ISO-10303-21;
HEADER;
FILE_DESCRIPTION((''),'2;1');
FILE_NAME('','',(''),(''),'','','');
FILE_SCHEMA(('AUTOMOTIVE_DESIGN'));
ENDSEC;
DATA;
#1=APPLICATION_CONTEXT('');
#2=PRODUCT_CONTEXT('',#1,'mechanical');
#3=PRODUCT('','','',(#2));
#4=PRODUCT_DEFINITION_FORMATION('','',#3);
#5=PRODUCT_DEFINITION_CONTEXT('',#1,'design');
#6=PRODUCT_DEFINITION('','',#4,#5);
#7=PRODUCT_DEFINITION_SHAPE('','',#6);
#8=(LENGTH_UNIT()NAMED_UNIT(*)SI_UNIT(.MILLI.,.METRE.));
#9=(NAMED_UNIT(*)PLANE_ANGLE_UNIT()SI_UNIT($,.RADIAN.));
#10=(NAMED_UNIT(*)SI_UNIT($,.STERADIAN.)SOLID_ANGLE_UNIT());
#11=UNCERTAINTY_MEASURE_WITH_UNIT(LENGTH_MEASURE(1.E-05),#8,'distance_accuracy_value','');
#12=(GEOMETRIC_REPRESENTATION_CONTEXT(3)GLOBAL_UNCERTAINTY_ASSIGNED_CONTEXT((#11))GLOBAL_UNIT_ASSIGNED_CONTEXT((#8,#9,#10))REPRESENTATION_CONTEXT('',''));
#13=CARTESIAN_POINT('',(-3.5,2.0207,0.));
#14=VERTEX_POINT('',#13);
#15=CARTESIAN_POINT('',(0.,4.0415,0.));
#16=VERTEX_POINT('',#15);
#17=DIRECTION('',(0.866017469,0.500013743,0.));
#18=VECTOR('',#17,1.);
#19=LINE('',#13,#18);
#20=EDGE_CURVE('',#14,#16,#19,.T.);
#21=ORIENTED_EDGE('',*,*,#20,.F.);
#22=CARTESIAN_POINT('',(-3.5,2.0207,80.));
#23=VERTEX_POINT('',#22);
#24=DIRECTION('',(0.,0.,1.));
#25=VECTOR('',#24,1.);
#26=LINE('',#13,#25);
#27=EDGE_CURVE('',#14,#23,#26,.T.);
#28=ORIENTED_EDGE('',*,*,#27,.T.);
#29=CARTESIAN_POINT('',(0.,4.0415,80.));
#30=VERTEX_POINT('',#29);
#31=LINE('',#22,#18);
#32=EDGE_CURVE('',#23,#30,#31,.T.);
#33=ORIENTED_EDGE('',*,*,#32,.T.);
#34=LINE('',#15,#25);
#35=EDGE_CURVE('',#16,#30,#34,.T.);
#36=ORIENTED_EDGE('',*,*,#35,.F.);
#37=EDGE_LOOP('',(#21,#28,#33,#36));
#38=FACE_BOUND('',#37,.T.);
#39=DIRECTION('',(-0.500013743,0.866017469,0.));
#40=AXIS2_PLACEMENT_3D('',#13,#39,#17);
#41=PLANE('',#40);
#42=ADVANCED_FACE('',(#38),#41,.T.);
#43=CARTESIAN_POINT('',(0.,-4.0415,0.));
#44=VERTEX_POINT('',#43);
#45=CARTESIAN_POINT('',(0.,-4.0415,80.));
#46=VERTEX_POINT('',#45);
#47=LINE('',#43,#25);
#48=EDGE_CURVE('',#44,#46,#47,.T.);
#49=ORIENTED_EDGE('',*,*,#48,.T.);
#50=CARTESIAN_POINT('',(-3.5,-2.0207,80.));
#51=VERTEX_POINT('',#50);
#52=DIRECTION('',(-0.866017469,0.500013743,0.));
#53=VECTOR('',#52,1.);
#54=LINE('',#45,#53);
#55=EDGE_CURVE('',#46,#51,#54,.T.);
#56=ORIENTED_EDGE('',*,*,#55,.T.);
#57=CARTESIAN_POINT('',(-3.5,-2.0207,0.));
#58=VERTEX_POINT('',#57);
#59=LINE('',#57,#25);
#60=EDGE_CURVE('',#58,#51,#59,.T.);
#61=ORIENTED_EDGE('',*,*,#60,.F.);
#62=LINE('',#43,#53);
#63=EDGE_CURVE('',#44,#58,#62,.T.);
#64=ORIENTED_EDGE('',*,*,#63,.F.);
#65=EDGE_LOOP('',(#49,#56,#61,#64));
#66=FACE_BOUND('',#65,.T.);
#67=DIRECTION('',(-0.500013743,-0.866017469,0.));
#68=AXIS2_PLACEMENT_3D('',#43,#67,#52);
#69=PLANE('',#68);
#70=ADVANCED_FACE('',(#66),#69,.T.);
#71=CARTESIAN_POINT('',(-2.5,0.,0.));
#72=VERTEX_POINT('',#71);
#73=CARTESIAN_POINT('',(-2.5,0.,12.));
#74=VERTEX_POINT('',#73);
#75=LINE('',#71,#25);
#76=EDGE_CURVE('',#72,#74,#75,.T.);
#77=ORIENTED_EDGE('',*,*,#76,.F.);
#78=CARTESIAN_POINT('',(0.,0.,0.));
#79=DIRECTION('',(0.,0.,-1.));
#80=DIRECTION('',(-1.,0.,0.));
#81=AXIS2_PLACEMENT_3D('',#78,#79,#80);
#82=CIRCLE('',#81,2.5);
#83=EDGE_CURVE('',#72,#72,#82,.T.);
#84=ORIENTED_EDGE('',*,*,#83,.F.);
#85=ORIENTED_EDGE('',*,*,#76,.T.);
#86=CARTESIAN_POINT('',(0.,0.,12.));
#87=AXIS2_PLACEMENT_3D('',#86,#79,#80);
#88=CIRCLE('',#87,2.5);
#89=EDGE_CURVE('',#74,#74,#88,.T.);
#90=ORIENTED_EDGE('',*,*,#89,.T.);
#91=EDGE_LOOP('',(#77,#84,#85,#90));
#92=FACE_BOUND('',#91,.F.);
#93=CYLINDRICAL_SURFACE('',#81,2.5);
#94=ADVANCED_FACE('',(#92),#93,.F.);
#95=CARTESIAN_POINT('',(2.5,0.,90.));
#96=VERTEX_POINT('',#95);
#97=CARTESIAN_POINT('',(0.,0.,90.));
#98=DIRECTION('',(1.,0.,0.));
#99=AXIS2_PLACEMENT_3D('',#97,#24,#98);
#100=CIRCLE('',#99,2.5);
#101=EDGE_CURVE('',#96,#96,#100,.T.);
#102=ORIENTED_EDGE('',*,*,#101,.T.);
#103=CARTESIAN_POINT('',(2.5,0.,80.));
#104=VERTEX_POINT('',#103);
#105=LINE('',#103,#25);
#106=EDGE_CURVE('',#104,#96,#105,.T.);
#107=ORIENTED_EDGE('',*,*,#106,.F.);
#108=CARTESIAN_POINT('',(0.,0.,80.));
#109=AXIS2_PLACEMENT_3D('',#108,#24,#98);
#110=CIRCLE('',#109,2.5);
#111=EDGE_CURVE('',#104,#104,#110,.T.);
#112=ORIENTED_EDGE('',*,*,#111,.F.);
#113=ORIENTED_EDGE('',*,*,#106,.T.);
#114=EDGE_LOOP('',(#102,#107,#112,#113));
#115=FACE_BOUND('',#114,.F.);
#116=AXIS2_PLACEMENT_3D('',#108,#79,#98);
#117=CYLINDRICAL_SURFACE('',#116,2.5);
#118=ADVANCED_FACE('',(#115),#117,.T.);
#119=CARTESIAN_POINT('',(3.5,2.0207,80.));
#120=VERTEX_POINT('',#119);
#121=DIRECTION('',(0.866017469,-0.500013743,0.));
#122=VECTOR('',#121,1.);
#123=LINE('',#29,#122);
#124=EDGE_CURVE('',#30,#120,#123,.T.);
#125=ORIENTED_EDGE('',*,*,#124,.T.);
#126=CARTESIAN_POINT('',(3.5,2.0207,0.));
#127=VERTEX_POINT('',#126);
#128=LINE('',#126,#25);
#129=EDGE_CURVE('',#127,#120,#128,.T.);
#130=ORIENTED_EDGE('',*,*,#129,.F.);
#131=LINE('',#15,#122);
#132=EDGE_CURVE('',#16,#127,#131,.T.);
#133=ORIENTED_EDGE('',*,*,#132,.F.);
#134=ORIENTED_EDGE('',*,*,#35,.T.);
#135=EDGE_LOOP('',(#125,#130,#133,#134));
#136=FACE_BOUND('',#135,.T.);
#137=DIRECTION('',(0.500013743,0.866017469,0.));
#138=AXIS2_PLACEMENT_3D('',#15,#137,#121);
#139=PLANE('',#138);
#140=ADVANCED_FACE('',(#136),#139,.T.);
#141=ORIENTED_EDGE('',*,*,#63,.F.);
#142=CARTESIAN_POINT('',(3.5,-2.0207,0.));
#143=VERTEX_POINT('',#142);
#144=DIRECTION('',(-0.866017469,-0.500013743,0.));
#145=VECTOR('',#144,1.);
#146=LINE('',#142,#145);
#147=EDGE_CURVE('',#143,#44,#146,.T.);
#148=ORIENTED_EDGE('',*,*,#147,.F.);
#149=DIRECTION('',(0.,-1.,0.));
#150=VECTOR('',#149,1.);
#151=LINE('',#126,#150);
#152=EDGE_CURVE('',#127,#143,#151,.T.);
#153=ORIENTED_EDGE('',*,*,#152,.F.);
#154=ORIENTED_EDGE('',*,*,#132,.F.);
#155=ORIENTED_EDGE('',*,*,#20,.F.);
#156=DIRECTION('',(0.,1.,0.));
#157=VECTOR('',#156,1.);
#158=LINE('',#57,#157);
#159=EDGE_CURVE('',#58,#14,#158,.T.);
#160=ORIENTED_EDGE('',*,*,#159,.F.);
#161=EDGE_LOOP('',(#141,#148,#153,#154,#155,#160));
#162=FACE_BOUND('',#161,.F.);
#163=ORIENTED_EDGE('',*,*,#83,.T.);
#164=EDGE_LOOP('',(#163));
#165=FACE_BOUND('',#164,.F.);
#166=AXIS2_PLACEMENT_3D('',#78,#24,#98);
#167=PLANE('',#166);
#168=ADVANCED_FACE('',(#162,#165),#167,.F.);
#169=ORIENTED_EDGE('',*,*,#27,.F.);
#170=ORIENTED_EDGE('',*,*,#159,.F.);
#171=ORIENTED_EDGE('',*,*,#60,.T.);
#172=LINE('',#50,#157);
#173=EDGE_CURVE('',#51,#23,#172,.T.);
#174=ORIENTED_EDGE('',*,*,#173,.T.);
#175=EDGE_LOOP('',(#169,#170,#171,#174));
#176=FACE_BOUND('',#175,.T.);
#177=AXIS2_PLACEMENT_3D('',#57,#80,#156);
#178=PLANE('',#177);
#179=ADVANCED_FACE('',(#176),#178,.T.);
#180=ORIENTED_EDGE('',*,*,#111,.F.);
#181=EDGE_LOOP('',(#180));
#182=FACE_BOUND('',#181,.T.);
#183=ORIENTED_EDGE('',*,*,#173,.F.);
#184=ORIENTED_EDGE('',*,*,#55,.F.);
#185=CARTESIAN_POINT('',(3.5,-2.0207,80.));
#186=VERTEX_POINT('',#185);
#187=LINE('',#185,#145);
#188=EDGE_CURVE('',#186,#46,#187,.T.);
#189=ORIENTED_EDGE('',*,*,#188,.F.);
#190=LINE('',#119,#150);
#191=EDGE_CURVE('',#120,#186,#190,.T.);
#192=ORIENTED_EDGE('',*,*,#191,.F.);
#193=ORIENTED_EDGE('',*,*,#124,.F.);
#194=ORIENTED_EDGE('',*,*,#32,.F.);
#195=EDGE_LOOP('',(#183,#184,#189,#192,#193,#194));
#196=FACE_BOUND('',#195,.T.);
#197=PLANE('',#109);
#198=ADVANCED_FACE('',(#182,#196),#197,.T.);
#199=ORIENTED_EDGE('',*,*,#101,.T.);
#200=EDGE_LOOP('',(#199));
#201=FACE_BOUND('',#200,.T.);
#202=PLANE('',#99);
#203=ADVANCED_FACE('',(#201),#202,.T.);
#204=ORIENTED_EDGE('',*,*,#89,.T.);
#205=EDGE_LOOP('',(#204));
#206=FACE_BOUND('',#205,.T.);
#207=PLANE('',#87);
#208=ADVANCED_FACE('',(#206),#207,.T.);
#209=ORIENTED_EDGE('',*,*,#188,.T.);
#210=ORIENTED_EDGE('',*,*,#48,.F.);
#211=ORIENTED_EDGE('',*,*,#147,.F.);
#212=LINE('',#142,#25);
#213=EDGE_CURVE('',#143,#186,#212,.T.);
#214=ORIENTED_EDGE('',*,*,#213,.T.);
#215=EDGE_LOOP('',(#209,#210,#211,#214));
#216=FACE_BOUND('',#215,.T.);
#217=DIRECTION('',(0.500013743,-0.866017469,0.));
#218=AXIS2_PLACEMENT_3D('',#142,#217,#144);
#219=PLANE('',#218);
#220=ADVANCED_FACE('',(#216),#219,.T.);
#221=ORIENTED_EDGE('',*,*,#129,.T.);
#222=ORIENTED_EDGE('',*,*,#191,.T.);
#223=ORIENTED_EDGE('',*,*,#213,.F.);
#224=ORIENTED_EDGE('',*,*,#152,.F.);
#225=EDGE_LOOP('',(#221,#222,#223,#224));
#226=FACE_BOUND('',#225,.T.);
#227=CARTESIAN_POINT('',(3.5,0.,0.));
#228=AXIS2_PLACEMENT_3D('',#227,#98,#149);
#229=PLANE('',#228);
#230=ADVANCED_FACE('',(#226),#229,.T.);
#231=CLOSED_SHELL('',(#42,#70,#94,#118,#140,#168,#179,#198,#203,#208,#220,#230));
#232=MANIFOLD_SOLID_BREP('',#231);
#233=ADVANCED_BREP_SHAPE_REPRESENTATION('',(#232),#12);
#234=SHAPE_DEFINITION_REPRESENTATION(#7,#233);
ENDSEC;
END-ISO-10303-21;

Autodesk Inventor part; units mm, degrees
ref_plane "YZ Plane" through (0, 0, 0) normal (1, 0, 0) x (0, 1, 0)
ref_plane "XZ Plane" through (0, 0, 0) normal (0, 1, 0) x (-1, 0, 0)
ref_plane "XY Plane" through (0, 0, 0) normal (0, 0, 1) x (1, 0, 0)
sketch "スケッチ1" plane through (0, 0, 0) normal (0, 0, 1) x (1, 0, 0)
  circle A0 centre (0, 0) radius 3.5
  line L0 (3.5, -2.0207) -> (0, -4.0415)
  line L1 (0, -4.0415) -> (-3.5, -2.0207)
  line L2 (-3.5, -2.0207) -> (-3.5, 2.0207)
  line L3 (-3.5, 2.0207) -> (0, 4.0415)
  line L4 (0, 4.0415) -> (3.5, 2.0207)
  line L5 (3.5, 2.0207) -> (3.5, -2.0207)
  point P0 (3.5, 0)
  dimension "d0" = 7
extrude "押し出し1" add sketch "スケッチ1" along normal blind 80
sketch "スケッチ2" plane through (0, 0, 80) normal (0, 0, 1) x (1, 0, 0)
  circle A0 centre (0, 0) radius 2.5
  dimension "d3" = 5
sketch "スケッチ3" plane through (0, 0, 0) normal (0, 0, -1) x (-1, 0, 0)
  circle A0 centre (0, 0) radius 2.5
  dimension "d6" = 5
extrude "押し出し3" cut sketch "スケッチ3" against normal blind 12
extrude "押し出し4" add sketch "スケッチ2" along normal blind 10
thread "ねじ1" size "M5x0.8" class "6g" standard "ANSI Metric M Profile" full length
properties part number "六角支柱" material "鉄、ダクタイル鋳鉄"
